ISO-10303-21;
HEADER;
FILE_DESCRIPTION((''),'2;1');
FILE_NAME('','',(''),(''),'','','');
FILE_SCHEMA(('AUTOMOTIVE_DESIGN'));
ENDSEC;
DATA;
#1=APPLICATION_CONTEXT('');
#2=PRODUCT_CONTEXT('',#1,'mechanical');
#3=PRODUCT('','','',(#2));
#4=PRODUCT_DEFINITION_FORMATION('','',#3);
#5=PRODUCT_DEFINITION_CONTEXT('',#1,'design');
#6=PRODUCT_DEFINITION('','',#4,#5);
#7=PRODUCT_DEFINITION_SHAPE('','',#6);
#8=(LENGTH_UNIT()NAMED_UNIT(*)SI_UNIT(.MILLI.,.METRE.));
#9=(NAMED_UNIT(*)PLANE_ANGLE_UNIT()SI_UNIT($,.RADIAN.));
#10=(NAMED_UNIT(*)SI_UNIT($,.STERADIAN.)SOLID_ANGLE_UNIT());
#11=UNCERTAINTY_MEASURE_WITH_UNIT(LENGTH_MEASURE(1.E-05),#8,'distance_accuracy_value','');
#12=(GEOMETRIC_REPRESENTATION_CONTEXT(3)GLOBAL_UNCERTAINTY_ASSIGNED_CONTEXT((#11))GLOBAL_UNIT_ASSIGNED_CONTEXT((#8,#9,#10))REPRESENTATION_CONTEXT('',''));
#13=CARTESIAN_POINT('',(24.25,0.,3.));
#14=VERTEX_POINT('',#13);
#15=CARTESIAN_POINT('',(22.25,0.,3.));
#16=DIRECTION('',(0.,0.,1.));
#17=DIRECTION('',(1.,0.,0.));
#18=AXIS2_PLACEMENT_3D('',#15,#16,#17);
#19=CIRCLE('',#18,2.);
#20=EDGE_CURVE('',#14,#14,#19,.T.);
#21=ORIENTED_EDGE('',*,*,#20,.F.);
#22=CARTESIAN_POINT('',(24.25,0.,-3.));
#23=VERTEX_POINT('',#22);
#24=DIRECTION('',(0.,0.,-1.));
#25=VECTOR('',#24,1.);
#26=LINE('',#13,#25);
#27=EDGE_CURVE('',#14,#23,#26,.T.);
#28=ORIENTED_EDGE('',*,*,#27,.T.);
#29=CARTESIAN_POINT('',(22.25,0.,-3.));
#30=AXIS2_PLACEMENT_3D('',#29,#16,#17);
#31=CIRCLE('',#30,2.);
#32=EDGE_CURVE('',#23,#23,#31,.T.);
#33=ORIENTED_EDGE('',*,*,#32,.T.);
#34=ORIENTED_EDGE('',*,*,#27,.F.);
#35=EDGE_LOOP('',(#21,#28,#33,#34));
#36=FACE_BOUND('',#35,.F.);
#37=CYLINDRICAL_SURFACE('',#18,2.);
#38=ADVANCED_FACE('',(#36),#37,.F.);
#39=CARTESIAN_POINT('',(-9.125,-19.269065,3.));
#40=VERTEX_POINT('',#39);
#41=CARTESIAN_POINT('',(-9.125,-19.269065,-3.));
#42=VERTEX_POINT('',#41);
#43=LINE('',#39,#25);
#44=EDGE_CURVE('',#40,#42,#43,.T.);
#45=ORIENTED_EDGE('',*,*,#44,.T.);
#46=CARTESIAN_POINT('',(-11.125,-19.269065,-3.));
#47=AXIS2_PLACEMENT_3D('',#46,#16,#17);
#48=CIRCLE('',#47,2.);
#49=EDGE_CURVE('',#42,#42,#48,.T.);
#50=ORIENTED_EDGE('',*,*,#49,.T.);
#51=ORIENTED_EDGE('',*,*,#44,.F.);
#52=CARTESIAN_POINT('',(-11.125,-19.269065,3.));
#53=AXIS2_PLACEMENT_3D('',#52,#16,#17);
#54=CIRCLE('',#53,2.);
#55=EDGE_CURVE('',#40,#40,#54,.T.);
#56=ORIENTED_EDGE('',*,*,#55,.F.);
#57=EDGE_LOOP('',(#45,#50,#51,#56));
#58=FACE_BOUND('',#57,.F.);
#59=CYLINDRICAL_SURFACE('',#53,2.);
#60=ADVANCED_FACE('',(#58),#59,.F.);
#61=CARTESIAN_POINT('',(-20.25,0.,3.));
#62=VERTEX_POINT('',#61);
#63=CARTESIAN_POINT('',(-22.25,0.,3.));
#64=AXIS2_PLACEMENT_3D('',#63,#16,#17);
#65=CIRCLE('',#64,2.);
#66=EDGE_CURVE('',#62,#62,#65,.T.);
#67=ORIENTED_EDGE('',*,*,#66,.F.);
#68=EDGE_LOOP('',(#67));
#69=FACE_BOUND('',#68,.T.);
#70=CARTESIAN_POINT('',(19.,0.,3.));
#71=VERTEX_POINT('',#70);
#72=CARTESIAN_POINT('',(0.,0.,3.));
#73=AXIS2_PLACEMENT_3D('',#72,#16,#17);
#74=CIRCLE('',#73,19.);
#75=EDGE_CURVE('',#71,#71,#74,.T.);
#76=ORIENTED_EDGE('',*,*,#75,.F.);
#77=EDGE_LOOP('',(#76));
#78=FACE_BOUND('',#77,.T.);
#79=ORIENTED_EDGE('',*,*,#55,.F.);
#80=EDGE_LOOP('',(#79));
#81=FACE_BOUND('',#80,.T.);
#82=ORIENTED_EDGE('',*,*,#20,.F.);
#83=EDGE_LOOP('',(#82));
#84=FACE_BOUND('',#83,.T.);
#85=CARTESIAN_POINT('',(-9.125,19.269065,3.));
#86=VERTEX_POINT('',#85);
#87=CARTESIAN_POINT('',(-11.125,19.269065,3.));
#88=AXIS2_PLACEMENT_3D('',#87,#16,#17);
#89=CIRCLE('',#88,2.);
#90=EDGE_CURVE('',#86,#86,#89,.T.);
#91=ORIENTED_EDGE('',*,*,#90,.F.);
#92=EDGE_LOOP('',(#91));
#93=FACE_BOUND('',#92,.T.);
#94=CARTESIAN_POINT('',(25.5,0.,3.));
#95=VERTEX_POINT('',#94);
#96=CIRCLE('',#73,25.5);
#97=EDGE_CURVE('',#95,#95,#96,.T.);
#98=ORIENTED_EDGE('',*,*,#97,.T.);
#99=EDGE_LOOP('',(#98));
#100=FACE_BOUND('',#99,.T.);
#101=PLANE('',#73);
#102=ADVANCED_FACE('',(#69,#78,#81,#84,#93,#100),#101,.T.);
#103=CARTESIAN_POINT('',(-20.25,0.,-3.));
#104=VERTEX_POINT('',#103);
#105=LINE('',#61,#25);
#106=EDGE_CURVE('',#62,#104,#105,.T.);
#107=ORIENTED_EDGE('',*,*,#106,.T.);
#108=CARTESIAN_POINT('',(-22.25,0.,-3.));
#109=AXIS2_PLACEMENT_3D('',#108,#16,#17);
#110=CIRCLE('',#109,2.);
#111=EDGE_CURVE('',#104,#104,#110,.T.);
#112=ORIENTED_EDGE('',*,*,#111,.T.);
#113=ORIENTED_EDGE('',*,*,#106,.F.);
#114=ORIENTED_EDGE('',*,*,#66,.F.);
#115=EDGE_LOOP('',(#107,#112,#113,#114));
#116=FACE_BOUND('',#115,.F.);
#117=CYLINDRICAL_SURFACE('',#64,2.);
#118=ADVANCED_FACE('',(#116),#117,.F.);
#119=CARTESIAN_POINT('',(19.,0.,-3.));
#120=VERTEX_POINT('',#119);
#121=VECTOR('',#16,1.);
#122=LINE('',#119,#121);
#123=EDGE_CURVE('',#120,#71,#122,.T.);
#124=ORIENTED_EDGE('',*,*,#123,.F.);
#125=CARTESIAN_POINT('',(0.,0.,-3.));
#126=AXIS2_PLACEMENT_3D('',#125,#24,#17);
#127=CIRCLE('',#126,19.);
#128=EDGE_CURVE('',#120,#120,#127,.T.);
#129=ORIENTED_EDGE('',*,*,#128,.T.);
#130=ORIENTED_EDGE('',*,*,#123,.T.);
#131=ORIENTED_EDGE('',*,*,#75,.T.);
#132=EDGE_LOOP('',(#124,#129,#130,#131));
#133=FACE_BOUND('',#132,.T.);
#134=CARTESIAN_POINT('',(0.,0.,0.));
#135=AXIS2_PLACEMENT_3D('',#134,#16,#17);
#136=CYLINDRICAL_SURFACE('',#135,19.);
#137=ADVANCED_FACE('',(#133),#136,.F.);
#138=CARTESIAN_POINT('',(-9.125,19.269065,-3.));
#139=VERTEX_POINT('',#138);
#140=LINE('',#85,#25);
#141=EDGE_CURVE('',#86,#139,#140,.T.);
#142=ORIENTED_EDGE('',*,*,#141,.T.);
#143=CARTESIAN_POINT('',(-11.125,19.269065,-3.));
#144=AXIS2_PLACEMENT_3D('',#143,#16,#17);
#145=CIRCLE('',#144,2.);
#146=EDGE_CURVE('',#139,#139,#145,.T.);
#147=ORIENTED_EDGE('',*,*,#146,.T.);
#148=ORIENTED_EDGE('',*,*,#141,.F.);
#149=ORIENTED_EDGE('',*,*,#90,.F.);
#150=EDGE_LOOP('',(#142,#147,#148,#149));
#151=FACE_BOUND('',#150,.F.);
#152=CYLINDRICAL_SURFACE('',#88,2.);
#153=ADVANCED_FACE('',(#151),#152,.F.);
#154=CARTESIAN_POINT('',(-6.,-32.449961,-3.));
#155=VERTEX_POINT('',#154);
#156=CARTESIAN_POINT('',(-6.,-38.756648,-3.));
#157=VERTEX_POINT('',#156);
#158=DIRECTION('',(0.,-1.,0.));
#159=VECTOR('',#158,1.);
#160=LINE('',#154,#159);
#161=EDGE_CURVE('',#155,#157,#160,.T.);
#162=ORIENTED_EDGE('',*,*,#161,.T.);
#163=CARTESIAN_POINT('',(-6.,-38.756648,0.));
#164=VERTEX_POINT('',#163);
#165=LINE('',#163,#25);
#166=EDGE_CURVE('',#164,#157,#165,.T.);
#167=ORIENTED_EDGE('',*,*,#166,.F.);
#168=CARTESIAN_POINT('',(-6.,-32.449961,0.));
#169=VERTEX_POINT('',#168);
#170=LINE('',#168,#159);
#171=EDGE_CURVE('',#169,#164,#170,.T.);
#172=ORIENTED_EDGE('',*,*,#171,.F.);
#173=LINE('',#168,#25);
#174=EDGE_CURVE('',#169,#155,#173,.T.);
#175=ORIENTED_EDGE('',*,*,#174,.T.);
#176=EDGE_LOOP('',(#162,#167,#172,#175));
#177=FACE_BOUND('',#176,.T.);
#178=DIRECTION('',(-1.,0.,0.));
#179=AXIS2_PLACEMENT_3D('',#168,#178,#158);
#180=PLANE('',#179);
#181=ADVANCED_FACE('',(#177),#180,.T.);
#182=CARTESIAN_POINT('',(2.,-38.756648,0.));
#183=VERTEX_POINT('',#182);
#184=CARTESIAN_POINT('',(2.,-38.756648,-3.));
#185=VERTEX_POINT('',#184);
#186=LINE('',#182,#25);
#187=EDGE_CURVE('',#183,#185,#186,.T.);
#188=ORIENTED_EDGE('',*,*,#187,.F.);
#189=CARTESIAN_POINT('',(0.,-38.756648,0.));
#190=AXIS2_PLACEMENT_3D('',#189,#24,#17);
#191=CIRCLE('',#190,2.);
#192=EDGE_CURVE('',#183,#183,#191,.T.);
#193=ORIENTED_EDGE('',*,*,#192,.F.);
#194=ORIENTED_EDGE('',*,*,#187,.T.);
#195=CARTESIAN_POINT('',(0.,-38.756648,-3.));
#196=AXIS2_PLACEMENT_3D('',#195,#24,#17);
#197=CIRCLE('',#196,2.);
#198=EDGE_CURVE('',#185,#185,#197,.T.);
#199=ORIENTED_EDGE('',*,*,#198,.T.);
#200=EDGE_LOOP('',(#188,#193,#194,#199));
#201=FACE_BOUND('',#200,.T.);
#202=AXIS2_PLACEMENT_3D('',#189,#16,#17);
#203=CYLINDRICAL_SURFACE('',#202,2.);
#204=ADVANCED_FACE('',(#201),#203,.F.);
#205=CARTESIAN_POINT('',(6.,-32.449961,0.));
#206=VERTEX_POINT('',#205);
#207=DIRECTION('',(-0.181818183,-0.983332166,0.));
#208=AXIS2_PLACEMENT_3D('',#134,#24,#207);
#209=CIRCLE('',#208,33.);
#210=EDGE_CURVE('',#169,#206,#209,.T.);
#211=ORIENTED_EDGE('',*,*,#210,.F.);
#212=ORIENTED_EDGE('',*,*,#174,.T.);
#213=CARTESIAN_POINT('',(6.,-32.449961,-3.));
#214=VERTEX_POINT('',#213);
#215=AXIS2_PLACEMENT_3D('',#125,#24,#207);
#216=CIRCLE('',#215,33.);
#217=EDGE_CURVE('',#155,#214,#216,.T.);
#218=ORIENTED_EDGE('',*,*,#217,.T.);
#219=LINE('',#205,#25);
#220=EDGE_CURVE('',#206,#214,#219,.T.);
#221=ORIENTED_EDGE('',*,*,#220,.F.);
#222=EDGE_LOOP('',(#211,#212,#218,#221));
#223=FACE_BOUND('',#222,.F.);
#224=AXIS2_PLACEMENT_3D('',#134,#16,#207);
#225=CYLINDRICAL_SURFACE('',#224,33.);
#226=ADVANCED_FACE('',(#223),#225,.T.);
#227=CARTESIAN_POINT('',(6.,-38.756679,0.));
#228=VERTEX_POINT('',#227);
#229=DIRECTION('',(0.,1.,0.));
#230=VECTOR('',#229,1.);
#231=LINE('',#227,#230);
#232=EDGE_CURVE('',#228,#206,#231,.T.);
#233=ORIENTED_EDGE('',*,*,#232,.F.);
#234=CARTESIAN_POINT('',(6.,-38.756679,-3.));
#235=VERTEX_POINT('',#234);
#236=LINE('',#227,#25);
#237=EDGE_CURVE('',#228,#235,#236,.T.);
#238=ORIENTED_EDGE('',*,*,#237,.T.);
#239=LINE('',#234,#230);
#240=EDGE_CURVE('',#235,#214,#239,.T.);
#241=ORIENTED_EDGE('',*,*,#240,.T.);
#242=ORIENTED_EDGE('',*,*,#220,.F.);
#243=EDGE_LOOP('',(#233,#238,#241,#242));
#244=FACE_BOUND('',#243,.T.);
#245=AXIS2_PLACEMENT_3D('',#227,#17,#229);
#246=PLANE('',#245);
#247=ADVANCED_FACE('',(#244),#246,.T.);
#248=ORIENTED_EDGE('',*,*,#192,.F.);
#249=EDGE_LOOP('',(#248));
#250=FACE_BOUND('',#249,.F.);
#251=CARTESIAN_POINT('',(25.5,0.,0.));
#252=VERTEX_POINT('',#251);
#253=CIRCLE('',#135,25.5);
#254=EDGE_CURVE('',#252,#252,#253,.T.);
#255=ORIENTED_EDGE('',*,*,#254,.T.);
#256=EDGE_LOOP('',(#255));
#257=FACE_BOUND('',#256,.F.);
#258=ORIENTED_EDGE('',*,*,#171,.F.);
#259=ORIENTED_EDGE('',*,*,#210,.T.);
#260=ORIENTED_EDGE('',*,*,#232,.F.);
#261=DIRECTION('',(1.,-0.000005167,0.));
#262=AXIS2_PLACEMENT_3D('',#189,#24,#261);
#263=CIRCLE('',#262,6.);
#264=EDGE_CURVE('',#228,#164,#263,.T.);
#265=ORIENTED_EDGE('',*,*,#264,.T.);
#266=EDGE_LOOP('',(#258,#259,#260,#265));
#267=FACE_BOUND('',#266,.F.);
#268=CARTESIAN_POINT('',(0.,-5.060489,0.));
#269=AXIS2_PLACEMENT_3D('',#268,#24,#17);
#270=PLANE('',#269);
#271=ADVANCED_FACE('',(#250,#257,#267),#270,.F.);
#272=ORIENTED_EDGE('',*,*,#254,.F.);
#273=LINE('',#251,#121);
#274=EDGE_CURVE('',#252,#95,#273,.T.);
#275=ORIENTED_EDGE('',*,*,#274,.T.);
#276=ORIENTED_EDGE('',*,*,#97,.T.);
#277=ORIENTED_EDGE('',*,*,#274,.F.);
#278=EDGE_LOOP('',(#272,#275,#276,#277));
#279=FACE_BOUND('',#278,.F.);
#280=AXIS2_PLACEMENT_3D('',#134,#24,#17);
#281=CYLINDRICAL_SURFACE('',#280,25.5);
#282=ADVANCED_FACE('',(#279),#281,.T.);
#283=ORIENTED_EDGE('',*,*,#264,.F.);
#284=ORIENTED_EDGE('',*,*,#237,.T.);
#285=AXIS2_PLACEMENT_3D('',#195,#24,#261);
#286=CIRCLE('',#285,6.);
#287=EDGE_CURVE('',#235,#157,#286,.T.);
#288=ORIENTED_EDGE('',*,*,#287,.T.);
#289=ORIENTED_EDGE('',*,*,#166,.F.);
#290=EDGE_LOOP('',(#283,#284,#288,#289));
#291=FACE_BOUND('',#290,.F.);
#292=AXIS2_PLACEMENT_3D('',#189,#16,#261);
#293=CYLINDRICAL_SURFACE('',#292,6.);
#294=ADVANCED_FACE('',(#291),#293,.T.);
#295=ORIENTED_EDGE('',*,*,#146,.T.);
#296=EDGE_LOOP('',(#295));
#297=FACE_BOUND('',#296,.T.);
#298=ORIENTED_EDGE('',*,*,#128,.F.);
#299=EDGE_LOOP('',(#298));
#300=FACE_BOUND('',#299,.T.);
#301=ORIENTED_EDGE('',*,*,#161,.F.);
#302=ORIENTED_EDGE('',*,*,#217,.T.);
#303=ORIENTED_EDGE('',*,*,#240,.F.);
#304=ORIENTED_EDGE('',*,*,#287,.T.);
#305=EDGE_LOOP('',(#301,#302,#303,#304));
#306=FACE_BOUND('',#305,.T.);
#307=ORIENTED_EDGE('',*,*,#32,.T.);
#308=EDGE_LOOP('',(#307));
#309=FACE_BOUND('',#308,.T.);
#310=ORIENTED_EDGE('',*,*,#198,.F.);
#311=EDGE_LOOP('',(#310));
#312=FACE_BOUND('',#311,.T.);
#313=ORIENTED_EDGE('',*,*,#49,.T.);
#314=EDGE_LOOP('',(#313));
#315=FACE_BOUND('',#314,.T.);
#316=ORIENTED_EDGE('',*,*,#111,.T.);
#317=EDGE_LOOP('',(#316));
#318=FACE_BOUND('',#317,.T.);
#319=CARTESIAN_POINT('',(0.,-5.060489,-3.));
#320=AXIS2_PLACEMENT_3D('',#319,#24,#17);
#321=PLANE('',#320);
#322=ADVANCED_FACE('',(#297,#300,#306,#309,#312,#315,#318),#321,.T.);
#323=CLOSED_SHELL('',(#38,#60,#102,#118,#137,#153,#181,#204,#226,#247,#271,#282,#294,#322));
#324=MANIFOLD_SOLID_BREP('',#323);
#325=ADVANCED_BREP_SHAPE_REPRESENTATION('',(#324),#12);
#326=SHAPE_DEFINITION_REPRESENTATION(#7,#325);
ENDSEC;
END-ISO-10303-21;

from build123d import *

# Parameters (mm, degrees)
SKETCH010_R     = 25.5
SKETCH010_R_2   = 19
PAD005_DEPTH    = 3
SKETCH011_R     = 19
SKETCH011_R_2   = 2
PAD006_DEPTH    = 3
SKETCH012_R     = 2
POCKET002_DEPTH = 6.001


with BuildPart() as part:
    # Sketch010 → Pad005 (new body)
    with BuildSketch(Plane.XY):
        Circle(SKETCH010_R)
        Circle(SKETCH010_R_2, mode=Mode.SUBTRACT)
    extrude(amount=PAD005_DEPTH)

    # Sketch011 (on Face3 of Pad005) → Pad006 (join)
    with BuildSketch(Plane(origin=(0, 0, 0), x_dir=(1, 0, 0), z_dir=(0, 0, -1))):
        with BuildLine():
            ThreePointArc((-6, 32.449961), (0, -33), (6, 32.449961))
            Line((6, 38.756679), (6, 32.449961))
            ThreePointArc((6, 38.756679), (-1.5e-05, 44.756648), (-6, 38.756648))
            Line((-6, 32.449961), (-6, 38.756648))
        make_face()
        Circle(SKETCH011_R, mode=Mode.SUBTRACT)
        with Locations((0, 38.756648)):
            Circle(SKETCH011_R_2, mode=Mode.SUBTRACT)
    extrude(amount=PAD006_DEPTH)

    # Sketch012 (on Face3 of Pad006) → Pocket002 (cut, through all)
    with BuildSketch(Plane.XY.offset(3)):
        with Locations((-22.25, 0)):
            Circle(SKETCH012_R)
        with Locations((22.25, 0)):
            Circle(SKETCH012_R)
        with Locations((-11.125, 19.269065)):
            Circle(SKETCH012_R)
        with Locations((-11.125, -19.269065)):
            Circle(SKETCH012_R)
    extrude(amount=-POCKET002_DEPTH, mode=Mode.SUBTRACT)


solid = part.part
